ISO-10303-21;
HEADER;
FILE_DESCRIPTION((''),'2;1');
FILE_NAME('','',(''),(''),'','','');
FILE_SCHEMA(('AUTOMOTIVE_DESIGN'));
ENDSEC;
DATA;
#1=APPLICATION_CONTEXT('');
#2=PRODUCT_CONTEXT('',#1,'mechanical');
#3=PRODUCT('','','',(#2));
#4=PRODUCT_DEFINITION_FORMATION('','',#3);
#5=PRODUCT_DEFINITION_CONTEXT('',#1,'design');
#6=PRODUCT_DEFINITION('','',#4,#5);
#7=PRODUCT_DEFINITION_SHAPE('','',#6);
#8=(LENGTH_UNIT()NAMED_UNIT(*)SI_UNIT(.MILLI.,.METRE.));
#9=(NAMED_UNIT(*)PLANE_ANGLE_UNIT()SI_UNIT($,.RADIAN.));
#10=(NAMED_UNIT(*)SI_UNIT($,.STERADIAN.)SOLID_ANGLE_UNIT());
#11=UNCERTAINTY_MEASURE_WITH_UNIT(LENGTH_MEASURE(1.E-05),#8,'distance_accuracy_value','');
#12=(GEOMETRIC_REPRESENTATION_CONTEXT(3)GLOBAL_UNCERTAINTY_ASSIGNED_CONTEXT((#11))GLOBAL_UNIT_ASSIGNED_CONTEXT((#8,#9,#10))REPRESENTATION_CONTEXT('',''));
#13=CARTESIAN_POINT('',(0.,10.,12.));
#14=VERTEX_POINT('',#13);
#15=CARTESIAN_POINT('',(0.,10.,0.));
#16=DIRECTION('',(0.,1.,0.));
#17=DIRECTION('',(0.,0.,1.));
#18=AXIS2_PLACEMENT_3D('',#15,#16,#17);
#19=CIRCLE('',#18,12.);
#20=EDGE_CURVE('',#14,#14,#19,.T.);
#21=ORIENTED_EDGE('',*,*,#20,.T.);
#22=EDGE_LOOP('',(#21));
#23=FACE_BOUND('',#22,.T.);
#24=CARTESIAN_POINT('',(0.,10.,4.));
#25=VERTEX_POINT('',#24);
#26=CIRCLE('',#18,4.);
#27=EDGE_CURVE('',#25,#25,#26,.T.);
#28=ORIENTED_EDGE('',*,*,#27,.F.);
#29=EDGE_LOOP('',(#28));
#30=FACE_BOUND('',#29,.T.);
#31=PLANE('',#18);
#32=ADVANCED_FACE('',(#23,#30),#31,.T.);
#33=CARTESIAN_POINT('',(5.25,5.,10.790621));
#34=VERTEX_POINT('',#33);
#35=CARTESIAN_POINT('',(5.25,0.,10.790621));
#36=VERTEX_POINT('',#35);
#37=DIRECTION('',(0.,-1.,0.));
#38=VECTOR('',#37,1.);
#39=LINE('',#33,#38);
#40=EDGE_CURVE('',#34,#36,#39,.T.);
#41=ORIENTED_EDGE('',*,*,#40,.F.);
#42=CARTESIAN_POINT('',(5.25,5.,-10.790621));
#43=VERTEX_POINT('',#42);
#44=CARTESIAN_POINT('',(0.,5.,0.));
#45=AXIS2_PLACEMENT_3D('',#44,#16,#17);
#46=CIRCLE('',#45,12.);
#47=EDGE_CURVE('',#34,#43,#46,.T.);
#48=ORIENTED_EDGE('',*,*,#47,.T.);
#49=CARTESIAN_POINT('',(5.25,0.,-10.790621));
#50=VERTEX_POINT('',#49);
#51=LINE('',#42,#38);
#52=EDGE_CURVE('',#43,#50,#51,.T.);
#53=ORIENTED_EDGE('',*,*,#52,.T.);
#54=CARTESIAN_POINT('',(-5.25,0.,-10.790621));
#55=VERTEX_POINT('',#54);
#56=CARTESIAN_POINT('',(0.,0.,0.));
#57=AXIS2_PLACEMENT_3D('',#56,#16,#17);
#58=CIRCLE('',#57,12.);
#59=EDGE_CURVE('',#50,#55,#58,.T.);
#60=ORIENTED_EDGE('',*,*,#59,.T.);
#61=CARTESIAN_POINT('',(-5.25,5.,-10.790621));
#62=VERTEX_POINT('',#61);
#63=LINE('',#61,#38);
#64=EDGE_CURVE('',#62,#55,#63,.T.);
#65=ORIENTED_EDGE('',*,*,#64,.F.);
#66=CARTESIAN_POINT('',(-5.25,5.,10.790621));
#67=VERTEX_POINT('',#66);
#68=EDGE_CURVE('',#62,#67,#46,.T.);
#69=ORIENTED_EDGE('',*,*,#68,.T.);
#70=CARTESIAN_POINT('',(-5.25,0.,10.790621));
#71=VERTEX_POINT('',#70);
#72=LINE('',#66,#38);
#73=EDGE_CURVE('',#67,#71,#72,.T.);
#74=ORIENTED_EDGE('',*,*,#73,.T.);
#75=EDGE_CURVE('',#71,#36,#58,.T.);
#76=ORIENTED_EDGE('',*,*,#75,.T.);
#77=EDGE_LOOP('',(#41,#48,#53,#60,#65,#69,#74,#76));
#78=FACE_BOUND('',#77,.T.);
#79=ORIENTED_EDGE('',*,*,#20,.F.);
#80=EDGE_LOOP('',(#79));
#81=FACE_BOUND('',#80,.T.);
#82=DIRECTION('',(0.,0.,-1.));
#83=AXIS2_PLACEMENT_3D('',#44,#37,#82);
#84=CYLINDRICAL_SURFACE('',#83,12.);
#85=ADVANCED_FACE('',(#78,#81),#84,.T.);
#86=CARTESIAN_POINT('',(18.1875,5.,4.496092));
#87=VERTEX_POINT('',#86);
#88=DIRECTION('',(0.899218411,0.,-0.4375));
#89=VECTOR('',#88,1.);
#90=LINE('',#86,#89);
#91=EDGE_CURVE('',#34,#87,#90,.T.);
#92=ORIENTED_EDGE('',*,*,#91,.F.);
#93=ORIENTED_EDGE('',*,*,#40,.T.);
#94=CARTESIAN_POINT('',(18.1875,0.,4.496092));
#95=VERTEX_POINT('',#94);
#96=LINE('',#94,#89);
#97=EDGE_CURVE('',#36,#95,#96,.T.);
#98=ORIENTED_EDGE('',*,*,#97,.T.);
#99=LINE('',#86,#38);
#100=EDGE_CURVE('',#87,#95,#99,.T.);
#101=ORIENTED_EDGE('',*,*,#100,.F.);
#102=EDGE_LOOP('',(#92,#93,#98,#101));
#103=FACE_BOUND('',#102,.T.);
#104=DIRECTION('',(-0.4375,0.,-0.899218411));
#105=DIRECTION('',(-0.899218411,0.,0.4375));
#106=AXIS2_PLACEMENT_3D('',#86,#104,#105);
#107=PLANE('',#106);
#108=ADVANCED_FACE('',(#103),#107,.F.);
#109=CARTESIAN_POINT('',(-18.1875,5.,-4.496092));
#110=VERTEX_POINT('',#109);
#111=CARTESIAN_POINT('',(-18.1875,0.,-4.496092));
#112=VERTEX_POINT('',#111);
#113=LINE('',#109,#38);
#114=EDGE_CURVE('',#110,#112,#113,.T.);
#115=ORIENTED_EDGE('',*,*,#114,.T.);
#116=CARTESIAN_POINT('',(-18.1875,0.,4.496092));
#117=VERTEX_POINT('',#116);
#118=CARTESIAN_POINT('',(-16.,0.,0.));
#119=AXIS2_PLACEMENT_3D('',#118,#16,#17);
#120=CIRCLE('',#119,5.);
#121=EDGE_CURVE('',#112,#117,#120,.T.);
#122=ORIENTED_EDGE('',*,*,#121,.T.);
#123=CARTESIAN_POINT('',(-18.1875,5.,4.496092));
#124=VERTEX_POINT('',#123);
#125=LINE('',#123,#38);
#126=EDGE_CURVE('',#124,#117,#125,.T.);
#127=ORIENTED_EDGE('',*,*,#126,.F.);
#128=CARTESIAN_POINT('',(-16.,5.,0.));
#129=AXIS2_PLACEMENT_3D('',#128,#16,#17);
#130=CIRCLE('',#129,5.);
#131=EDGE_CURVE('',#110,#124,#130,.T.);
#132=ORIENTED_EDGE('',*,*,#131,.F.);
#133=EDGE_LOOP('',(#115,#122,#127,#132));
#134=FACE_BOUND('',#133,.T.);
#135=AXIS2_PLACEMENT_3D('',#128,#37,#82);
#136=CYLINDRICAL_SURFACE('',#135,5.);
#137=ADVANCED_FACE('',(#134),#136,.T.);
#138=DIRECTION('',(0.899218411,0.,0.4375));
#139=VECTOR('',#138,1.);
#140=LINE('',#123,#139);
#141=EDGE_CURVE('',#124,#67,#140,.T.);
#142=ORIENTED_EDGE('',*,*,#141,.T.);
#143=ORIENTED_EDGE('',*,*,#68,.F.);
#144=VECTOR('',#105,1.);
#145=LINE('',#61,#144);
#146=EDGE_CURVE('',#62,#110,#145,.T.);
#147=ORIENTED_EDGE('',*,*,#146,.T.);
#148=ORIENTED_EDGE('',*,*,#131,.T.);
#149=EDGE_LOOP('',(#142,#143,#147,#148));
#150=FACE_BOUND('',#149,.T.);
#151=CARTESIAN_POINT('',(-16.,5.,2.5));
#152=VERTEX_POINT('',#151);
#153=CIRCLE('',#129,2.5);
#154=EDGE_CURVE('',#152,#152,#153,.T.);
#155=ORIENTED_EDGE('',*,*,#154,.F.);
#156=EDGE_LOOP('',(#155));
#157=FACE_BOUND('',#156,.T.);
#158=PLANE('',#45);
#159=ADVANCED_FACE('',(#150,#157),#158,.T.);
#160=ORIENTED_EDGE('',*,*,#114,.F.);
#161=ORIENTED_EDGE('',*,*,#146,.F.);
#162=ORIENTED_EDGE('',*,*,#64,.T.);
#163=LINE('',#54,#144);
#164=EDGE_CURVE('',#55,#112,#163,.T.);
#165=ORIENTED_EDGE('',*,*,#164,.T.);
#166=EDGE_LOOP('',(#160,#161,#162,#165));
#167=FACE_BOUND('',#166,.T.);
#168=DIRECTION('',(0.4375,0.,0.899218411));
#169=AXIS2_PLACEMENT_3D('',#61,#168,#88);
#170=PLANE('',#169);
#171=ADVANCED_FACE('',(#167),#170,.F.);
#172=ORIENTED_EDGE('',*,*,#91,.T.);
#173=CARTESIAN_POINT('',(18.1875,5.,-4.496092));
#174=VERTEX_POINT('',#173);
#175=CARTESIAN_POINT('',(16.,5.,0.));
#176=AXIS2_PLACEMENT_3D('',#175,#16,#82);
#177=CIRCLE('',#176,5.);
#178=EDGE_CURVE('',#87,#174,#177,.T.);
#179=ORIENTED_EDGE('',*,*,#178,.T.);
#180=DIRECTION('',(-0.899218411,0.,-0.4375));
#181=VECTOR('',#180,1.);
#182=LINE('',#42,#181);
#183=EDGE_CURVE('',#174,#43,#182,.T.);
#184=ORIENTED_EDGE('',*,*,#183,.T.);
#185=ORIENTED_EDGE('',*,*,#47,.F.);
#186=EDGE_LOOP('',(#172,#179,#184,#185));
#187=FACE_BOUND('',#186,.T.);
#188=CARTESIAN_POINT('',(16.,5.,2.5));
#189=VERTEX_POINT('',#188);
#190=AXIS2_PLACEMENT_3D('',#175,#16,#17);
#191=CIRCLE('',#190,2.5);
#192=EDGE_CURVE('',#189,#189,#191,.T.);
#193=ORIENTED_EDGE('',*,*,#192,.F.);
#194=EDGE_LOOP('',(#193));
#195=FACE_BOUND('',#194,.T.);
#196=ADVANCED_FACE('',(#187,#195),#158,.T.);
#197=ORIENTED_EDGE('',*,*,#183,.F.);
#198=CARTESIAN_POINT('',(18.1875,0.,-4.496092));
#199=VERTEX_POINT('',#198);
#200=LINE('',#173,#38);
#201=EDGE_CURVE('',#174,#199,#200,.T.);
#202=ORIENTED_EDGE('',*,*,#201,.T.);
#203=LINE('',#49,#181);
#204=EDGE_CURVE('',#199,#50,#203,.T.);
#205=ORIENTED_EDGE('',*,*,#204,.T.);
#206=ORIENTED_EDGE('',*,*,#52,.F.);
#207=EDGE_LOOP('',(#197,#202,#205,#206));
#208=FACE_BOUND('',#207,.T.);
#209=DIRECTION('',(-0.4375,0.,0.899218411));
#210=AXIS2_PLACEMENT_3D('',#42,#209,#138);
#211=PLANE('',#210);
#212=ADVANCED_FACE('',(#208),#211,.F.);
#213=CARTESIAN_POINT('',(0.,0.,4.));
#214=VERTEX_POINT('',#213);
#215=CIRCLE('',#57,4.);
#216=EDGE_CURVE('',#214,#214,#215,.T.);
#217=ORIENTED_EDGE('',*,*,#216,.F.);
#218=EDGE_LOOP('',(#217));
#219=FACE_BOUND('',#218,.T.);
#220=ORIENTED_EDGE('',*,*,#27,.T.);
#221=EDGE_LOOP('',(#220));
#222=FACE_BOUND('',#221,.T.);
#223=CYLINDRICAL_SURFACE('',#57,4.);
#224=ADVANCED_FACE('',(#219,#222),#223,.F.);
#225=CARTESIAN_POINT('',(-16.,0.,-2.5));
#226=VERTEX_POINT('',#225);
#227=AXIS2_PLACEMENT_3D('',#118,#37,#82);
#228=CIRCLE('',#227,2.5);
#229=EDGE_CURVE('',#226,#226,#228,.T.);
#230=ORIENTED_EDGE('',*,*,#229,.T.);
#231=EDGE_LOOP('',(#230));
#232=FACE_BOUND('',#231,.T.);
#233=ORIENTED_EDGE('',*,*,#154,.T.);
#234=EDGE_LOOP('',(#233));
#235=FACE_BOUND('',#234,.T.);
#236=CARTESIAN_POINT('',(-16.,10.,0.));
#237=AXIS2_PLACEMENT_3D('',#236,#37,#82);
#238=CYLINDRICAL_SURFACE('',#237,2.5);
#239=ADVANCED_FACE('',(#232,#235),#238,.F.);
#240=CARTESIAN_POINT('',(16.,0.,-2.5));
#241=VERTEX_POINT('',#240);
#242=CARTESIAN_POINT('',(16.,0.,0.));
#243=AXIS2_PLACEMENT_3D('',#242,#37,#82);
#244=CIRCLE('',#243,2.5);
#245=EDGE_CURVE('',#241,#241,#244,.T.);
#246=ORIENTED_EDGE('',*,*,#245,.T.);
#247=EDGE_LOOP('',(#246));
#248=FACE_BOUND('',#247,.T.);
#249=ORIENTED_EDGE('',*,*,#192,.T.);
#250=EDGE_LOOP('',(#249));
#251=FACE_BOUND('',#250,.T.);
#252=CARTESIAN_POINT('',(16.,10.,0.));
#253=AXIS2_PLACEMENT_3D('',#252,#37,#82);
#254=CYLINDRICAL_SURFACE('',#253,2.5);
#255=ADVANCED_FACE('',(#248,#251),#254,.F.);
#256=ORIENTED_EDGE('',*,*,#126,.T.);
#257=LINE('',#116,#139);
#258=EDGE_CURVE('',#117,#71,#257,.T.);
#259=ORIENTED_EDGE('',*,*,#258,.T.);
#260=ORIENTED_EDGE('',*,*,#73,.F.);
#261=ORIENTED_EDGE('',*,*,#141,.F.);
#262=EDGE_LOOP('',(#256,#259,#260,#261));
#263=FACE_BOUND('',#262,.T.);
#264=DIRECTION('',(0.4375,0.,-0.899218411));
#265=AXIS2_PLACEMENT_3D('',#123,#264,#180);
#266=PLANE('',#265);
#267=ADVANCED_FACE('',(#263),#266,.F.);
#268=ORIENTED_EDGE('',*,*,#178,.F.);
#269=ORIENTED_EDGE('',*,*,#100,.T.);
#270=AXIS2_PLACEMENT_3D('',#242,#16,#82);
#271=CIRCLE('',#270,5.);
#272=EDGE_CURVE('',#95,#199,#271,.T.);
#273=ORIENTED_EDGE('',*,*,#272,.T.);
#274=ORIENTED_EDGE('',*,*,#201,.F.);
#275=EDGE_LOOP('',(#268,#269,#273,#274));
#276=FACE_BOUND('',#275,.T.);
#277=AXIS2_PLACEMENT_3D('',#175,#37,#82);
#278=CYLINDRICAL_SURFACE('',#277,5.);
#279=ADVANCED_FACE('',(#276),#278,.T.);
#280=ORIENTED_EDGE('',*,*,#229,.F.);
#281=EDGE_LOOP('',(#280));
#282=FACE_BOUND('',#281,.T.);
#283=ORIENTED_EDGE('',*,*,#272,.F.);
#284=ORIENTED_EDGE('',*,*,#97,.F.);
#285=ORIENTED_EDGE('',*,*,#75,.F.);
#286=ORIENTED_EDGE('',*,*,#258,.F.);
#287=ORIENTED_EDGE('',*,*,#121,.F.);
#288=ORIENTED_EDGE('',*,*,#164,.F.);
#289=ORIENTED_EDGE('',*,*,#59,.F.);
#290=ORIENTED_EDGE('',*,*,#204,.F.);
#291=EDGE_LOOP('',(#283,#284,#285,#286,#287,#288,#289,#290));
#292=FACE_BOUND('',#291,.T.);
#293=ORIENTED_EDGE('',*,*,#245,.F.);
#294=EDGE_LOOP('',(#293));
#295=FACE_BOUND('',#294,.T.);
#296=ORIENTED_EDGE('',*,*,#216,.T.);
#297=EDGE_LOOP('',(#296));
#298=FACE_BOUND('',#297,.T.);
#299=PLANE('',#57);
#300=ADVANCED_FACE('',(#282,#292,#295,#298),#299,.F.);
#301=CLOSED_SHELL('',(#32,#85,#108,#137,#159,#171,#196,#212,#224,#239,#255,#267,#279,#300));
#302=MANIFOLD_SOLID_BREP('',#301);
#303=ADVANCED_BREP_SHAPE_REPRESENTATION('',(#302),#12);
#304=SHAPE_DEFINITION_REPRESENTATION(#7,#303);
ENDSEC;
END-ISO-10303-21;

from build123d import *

# Parameters (mm, degrees)
EXTRUDE_1_DEPTH     = 5
SKETCH_3_R          = 12
EXTRUDE_2_DEPTH     = 5
SKETCH_4_R          = 4
CUT_EXTRUDE_1_DEPTH = 11
SKETCH_6_R          = 2.5
CUT_EXTRUDE_2_DEPTH = 11


with BuildPart() as part:
    # 草图1 → 凸台-拉伸1 (new body)
    with BuildSketch(Plane(origin=(0, 0, 0), x_dir=(1, 0, 0), z_dir=(0, 1, 0))):
        with BuildLine():
            Line((-5.25, 10.790620927), (-18.1875, 4.496092053))
            ThreePointArc((-18.1875, 4.496092053), (-21, 0), (-18.1875, -4.496092053))
            Line((-18.1875, -4.496092053), (-5.25, -10.790620927))
            ThreePointArc((-5.25, -10.790620927), (0, -12), (5.25, -10.790620927))
            Line((5.25, -10.790620927), (18.1875, -4.496092053))
            ThreePointArc((18.1875, -4.496092053), (21, 0), (18.1875, 4.496092053))
            Line((18.1875, 4.496092053), (5.25, 10.790620927))
            ThreePointArc((5.25, 10.790620927), (0, 12), (-5.25, 10.790620927))
        make_face()
    extrude(amount=EXTRUDE_1_DEPTH)

    # 草图3 → 凸台-拉伸2 (add)
    with BuildSketch(Plane(origin=(0, 5, 0), x_dir=(1, 0, 0), z_dir=(0, 1, 0))):
        Circle(SKETCH_3_R)
    extrude(amount=EXTRUDE_2_DEPTH)

    # 草图4 → 切除-拉伸1 (cut, through all)
    with BuildSketch(Plane(origin=(0, 10, 0), x_dir=(1, 0, 0), z_dir=(0, 1, 0))):
        Circle(SKETCH_4_R)
    extrude(amount=-CUT_EXTRUDE_1_DEPTH, mode=Mode.SUBTRACT)

    # 草图6 → 切除-拉伸2 (cut, through all)
    with BuildSketch(Plane.XZ):
        with Locations((-16, 0)):
            Circle(SKETCH_6_R)
        with Locations((16, 0)):
            Circle(SKETCH_6_R)
    extrude(amount=-CUT_EXTRUDE_2_DEPTH, mode=Mode.SUBTRACT)


solid = part.part
